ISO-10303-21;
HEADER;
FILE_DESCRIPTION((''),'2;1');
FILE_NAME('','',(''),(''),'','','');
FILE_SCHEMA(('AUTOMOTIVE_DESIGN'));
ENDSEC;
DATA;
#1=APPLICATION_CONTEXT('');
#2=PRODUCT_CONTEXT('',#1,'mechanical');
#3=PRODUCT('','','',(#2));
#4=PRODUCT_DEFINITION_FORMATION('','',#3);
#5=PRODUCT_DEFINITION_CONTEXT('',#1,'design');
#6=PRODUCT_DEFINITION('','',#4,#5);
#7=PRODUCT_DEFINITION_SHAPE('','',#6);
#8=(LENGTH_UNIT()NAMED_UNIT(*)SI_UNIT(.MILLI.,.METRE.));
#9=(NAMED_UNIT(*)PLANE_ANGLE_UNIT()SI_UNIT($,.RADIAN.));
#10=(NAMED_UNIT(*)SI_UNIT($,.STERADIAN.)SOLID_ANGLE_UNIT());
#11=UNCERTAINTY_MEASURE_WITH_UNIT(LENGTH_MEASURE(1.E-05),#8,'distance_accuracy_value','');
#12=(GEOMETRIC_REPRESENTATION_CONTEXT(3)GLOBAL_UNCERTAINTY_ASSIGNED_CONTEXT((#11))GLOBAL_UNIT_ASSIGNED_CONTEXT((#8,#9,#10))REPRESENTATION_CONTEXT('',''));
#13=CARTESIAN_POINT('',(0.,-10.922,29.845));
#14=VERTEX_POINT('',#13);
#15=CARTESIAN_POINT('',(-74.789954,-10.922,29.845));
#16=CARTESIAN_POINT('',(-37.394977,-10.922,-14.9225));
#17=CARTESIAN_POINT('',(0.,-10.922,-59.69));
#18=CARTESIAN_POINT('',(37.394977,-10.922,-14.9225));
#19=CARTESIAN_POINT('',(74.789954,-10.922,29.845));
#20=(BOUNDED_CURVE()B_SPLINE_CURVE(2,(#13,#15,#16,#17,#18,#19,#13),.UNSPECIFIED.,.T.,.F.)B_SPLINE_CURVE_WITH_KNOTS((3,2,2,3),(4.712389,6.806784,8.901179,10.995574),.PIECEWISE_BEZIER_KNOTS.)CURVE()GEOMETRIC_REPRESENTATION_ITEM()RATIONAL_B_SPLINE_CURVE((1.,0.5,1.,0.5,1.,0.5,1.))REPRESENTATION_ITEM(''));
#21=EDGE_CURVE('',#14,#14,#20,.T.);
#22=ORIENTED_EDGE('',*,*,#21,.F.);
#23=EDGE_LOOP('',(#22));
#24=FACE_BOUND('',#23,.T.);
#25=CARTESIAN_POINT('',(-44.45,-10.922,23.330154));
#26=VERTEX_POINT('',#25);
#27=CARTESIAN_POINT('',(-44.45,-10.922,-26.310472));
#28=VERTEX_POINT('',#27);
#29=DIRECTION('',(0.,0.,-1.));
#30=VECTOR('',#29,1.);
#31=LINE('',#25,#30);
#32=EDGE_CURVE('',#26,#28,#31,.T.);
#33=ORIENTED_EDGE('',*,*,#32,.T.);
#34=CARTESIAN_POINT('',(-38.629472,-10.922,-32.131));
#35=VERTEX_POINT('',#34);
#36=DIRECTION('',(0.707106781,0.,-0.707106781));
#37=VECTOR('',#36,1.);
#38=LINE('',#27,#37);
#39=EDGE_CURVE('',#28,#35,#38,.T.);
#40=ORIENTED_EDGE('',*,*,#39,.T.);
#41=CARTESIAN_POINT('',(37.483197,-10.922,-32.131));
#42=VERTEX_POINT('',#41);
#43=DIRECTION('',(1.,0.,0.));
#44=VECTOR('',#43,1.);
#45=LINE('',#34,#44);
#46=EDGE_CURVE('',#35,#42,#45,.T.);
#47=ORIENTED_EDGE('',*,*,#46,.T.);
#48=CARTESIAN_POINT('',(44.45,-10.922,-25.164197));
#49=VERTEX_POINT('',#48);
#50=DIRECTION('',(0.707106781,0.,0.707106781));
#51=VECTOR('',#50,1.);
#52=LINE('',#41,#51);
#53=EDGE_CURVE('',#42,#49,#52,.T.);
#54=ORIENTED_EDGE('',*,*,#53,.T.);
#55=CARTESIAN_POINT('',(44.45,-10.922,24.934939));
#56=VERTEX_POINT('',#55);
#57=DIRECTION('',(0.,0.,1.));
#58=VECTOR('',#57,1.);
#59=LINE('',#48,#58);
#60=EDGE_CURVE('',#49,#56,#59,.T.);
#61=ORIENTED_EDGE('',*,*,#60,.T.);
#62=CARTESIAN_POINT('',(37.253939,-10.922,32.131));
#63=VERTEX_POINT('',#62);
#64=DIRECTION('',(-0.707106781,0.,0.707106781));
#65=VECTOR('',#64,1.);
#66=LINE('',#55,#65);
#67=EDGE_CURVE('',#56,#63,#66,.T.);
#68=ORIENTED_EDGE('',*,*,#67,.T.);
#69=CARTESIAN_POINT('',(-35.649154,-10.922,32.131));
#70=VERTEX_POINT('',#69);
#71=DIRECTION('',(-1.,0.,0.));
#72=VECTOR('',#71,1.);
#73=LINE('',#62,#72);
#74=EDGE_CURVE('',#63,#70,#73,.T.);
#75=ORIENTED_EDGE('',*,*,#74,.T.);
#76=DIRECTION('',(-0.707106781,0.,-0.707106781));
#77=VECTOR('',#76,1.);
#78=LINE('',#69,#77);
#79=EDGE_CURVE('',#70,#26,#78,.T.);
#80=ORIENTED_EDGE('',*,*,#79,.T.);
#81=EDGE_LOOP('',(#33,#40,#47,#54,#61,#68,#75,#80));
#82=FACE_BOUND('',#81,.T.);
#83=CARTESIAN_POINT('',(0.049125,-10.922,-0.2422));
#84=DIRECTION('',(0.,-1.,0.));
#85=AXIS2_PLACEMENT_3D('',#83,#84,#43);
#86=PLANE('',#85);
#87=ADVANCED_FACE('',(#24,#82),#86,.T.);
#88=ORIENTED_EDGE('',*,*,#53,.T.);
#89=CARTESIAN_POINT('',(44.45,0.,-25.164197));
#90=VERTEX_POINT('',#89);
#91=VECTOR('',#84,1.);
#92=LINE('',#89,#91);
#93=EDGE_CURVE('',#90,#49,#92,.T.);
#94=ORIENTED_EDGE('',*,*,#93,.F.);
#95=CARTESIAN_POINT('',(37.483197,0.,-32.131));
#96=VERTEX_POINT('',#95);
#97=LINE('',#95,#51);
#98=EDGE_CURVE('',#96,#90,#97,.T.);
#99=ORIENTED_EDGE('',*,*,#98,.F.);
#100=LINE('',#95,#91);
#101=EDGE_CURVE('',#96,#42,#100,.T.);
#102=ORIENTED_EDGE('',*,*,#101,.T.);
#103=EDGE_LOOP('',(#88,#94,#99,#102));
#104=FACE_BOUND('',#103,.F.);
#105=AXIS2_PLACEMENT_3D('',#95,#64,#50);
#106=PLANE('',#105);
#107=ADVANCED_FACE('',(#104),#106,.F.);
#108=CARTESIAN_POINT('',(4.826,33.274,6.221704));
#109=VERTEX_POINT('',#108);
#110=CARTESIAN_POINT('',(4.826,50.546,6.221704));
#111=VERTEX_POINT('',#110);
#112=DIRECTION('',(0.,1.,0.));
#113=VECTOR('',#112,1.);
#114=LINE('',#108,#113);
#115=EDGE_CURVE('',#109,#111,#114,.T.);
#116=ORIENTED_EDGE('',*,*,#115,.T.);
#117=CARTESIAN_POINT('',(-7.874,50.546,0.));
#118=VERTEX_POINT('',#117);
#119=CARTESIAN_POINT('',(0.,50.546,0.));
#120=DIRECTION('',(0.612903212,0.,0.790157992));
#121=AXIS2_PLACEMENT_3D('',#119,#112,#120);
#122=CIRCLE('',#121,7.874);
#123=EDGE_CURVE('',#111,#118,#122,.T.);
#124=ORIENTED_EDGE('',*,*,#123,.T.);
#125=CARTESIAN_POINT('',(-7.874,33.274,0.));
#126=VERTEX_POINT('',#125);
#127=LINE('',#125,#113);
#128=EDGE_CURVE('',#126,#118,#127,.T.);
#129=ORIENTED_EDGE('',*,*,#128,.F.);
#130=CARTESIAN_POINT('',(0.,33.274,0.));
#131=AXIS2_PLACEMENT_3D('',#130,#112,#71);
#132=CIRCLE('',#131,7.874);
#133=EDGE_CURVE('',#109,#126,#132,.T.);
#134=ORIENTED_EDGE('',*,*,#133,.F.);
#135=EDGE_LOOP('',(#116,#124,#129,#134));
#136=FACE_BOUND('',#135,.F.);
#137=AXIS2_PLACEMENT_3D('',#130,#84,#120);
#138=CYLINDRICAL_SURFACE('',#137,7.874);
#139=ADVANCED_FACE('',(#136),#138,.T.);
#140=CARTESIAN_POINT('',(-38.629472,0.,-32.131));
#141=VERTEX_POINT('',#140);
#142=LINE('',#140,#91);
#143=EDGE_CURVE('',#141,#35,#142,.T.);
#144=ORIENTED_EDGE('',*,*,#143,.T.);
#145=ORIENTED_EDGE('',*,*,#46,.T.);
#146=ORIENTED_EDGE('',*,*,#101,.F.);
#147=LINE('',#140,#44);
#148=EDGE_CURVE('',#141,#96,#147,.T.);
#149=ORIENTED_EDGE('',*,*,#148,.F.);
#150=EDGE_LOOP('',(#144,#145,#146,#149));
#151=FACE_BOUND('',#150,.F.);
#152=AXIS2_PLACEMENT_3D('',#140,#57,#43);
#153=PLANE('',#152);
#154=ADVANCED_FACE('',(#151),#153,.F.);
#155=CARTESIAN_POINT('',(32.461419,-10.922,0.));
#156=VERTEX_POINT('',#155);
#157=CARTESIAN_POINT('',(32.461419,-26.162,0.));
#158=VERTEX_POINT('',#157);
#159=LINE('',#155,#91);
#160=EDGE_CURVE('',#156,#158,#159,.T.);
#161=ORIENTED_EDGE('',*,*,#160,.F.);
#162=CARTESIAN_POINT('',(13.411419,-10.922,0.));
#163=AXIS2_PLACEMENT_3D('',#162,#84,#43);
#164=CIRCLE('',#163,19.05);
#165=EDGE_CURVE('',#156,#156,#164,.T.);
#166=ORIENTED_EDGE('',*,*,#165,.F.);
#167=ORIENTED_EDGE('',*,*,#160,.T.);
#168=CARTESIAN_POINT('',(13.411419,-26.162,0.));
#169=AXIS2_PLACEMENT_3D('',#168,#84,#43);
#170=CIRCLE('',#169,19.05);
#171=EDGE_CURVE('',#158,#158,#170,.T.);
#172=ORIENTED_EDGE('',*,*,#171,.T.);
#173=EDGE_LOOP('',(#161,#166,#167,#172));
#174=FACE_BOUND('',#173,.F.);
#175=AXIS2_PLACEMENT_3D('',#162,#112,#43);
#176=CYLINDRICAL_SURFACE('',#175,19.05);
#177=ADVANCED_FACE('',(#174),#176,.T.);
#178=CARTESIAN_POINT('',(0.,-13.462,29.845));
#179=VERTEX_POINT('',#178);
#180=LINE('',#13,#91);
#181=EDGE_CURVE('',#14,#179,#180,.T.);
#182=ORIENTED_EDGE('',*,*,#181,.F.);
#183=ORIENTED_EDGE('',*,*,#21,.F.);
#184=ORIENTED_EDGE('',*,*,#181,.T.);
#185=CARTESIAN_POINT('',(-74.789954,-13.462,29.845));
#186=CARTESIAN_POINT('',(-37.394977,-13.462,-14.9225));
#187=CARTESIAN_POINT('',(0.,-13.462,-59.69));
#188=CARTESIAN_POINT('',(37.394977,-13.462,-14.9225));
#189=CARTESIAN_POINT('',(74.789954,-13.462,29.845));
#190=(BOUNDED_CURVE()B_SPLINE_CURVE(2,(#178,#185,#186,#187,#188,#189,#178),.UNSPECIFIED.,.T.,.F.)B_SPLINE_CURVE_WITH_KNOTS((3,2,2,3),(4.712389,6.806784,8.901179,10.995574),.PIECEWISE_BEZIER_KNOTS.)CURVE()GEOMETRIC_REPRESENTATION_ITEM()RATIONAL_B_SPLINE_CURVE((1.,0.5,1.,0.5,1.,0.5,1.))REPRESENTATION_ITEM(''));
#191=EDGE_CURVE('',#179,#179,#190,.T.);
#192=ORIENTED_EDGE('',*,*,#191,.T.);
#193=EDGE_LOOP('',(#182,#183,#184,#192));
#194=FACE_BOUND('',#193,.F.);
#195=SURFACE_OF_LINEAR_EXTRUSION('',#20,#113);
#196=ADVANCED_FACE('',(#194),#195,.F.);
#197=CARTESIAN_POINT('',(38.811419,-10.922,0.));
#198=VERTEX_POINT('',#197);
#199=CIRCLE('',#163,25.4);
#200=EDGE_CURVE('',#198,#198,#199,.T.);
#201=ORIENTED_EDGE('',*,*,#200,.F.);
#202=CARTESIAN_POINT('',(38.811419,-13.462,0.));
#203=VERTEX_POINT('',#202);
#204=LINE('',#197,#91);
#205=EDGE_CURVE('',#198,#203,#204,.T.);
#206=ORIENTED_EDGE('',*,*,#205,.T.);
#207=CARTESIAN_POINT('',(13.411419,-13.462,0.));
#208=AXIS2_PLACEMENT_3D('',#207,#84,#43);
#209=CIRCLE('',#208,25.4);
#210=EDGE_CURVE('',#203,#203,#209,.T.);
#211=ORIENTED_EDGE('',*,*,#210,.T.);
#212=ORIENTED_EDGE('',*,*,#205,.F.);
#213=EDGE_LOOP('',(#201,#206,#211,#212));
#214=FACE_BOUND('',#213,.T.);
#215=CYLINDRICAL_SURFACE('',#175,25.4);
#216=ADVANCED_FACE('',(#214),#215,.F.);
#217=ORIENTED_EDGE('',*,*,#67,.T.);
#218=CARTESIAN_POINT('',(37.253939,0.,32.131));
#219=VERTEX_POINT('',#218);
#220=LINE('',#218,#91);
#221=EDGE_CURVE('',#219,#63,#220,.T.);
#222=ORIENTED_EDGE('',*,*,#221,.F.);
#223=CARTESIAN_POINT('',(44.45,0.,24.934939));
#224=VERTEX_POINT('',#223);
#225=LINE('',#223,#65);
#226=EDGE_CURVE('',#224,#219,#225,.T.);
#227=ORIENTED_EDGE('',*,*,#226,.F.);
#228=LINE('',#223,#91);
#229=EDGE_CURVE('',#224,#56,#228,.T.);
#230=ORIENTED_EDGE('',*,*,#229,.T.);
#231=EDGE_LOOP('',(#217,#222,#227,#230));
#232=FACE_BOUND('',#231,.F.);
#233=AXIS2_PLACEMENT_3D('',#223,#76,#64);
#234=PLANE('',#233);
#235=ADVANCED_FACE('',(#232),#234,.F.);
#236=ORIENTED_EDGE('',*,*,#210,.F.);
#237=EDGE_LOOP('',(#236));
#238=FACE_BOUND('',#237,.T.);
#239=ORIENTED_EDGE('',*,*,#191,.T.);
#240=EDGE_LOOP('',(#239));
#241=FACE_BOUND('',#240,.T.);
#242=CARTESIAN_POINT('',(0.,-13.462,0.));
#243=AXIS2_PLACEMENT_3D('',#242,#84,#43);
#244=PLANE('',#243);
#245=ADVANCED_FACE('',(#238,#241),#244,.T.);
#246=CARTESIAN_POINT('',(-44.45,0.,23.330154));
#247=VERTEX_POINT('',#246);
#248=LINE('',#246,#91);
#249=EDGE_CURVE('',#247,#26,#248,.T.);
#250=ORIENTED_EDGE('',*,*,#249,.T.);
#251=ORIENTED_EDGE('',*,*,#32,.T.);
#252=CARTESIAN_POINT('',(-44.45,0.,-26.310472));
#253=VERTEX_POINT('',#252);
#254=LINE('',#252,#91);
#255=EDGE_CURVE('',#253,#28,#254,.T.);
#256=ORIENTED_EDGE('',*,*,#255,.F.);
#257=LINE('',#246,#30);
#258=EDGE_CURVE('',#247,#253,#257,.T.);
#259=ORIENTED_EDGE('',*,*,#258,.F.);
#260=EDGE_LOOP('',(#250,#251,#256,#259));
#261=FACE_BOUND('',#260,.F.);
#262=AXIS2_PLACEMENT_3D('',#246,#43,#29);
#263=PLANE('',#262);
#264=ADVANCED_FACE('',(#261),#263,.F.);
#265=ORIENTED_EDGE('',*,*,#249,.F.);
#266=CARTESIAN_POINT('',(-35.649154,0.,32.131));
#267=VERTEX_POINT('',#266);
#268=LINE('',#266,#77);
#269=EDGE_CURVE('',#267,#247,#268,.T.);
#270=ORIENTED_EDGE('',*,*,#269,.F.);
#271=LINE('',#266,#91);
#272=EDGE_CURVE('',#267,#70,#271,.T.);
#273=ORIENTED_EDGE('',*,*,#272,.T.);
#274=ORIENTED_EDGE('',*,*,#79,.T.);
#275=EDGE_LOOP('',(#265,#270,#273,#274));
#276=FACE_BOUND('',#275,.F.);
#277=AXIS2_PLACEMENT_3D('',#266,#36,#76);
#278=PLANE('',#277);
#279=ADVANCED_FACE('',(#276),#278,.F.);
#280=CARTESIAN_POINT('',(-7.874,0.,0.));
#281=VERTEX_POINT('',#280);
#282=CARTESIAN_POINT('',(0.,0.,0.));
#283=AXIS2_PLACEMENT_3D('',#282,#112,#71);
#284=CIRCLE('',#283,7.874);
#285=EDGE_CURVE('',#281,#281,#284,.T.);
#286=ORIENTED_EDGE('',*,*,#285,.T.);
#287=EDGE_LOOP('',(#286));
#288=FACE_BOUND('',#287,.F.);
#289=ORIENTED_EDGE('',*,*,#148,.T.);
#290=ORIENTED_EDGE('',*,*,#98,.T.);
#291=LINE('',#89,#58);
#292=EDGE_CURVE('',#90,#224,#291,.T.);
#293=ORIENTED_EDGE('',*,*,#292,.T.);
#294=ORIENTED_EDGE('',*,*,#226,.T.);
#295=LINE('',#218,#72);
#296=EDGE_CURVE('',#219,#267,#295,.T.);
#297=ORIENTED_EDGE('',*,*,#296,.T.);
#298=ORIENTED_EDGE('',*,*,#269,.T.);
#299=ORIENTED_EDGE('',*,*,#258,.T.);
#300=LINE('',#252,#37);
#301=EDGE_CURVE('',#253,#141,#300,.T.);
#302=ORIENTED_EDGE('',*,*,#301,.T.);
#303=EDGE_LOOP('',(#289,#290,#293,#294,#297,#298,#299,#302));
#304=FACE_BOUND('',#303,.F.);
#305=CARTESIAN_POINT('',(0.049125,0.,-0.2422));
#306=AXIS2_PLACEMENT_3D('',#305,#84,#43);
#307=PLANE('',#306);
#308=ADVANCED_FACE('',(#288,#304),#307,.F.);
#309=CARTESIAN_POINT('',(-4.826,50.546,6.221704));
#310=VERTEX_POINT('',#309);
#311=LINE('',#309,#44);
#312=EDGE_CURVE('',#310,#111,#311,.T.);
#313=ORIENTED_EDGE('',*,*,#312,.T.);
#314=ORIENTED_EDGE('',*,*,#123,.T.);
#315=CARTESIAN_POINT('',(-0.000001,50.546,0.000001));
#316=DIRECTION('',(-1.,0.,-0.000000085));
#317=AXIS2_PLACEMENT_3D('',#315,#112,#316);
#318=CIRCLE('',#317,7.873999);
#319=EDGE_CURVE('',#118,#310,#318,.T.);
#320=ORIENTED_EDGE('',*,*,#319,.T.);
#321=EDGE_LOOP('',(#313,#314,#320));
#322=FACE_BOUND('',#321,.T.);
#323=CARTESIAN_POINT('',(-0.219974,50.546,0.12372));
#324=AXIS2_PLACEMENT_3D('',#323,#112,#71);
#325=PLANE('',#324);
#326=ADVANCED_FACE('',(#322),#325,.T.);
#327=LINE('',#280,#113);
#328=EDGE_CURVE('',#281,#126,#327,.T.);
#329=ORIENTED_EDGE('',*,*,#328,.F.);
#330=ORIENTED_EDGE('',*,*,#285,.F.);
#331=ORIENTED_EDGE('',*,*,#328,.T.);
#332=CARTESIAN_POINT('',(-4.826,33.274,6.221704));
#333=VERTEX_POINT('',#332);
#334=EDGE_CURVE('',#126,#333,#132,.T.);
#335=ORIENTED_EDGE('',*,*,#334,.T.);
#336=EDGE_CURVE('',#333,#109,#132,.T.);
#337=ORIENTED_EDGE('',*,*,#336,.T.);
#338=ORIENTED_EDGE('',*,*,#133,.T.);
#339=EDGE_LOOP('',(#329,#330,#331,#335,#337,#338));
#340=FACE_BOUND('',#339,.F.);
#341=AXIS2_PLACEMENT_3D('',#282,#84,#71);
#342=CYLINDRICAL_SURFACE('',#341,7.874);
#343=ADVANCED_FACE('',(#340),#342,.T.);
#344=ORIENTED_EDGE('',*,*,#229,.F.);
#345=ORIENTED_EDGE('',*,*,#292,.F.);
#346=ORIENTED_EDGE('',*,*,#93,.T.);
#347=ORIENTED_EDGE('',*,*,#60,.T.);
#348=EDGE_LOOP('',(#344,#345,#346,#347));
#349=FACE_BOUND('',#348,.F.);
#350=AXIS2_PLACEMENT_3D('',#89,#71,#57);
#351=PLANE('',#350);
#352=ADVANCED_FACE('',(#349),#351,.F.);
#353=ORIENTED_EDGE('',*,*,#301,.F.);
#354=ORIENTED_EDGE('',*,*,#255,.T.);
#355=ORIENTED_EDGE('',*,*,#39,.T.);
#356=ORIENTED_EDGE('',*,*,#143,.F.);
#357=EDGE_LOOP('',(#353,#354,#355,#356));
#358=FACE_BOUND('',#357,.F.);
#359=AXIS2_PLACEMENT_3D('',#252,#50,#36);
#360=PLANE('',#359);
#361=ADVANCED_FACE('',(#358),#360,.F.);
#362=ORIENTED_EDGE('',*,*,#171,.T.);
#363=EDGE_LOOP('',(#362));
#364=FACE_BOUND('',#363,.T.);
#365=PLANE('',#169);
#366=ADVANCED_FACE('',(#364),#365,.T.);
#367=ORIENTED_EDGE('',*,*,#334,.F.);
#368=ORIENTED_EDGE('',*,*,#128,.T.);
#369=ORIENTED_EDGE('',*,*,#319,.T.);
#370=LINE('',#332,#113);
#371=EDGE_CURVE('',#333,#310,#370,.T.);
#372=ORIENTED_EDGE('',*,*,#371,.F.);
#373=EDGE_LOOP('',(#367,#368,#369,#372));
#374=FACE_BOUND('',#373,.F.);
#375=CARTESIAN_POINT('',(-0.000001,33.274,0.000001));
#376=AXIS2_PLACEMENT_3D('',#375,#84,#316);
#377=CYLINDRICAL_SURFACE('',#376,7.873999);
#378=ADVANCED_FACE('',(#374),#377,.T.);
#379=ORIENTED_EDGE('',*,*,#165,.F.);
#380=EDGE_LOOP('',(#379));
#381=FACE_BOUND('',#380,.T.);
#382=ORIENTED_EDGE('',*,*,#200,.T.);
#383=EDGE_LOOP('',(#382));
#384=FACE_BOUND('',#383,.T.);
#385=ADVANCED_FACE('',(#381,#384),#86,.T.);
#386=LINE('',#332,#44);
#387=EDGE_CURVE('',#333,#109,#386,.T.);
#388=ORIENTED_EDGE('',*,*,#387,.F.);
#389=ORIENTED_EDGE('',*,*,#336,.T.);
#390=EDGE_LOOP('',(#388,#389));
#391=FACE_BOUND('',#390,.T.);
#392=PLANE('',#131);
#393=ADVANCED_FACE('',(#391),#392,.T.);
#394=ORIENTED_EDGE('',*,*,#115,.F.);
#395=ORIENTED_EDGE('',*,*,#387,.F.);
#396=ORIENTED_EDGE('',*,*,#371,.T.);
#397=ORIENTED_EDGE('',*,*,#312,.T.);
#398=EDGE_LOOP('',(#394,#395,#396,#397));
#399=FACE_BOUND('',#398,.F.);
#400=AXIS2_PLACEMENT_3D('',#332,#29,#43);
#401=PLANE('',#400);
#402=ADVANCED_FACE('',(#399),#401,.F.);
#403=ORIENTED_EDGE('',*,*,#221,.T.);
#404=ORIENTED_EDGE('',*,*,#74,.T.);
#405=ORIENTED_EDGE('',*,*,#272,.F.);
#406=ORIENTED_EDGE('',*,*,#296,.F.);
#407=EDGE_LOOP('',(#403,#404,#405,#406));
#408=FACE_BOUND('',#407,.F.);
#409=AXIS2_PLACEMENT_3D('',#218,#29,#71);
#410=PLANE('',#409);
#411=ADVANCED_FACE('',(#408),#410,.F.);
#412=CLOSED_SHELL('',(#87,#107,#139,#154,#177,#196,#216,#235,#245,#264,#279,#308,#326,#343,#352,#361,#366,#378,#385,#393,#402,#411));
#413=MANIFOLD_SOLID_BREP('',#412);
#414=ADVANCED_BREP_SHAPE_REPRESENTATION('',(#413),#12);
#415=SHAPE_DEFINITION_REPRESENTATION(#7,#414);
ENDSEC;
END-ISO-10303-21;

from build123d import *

# Parameters (mm, degrees)
F1_DEPTH = 10.922
F2_R     = 25.4
F3_DEPTH = 2.54
F4_R     = 19.05
F5_DEPTH = 15.24
F6_R     = 7.874
F7_DEPTH = 33.274
F9_DEPTH = 17.272


with BuildPart() as f1:
    # F0 (on Front) → F1 (new body)
    with BuildSketch(Plane.XZ):
        Polygon((-44.45, -26.310472), (-38.629472, -32.131), (37.483197, -32.131), (44.45, -25.164197), (44.45, 24.934939), (37.253939, 32.131), (-35.649154, 32.131), (-44.45, 23.330154), align=None)
    extrude(amount=F1_DEPTH)

    # F2 (on face) → F3 (join)
    with BuildSketch(Plane.XZ.offset(10.922)):
        with BuildLine():
            add(Edge.make_bspline(
                [(0, 29.845), (-74.789954, 29.845), (-37.394977, -14.9225), (0, -59.69), (37.394977, -14.9225), (74.789954, 29.845), (0, 29.845)],
                knots=[4.712389, 4.712389, 4.712389, 6.806784, 6.806784, 8.901179, 8.901179, 10.995574, 10.995574, 10.995574], degree=2, weights=[1, 0.5, 1, 0.5, 1, 0.5, 1]))
        make_face()
        with Locations((13.411419, 0)):
            Circle(F2_R, mode=Mode.SUBTRACT)
    extrude(amount=F3_DEPTH)

    # F4 (on face) → F5 (join)
    with BuildSketch(Plane.XZ.offset(10.922)):
        with Locations((13.411419, 0)):
            Circle(F4_R)
    extrude(amount=F5_DEPTH)

    # F6 (on face) → F7 (join)
    with BuildSketch(Plane(origin=(0, 0, 0), x_dir=(-1, 0, 0), z_dir=(0, 1, 0))):
        Circle(F6_R)
    extrude(amount=F7_DEPTH)

    # F8 (on face) → F9 (join)
    with BuildSketch(Plane(origin=(0, 33.274, 0), x_dir=(-1, 0, 0), z_dir=(0, 1, 0))):
        with BuildLine():
            Line((4.826, 6.221704), (-4.826, 6.221704))
            ThreePointArc((-4.826, 6.221704), (-3.464098, -7.071061), (7.874, 0))
            ThreePointArc((7.874, 0), (7.071061, 3.464098), (4.826, 6.221704))
        make_face()
    extrude(amount=F9_DEPTH)


solid = f1.part
